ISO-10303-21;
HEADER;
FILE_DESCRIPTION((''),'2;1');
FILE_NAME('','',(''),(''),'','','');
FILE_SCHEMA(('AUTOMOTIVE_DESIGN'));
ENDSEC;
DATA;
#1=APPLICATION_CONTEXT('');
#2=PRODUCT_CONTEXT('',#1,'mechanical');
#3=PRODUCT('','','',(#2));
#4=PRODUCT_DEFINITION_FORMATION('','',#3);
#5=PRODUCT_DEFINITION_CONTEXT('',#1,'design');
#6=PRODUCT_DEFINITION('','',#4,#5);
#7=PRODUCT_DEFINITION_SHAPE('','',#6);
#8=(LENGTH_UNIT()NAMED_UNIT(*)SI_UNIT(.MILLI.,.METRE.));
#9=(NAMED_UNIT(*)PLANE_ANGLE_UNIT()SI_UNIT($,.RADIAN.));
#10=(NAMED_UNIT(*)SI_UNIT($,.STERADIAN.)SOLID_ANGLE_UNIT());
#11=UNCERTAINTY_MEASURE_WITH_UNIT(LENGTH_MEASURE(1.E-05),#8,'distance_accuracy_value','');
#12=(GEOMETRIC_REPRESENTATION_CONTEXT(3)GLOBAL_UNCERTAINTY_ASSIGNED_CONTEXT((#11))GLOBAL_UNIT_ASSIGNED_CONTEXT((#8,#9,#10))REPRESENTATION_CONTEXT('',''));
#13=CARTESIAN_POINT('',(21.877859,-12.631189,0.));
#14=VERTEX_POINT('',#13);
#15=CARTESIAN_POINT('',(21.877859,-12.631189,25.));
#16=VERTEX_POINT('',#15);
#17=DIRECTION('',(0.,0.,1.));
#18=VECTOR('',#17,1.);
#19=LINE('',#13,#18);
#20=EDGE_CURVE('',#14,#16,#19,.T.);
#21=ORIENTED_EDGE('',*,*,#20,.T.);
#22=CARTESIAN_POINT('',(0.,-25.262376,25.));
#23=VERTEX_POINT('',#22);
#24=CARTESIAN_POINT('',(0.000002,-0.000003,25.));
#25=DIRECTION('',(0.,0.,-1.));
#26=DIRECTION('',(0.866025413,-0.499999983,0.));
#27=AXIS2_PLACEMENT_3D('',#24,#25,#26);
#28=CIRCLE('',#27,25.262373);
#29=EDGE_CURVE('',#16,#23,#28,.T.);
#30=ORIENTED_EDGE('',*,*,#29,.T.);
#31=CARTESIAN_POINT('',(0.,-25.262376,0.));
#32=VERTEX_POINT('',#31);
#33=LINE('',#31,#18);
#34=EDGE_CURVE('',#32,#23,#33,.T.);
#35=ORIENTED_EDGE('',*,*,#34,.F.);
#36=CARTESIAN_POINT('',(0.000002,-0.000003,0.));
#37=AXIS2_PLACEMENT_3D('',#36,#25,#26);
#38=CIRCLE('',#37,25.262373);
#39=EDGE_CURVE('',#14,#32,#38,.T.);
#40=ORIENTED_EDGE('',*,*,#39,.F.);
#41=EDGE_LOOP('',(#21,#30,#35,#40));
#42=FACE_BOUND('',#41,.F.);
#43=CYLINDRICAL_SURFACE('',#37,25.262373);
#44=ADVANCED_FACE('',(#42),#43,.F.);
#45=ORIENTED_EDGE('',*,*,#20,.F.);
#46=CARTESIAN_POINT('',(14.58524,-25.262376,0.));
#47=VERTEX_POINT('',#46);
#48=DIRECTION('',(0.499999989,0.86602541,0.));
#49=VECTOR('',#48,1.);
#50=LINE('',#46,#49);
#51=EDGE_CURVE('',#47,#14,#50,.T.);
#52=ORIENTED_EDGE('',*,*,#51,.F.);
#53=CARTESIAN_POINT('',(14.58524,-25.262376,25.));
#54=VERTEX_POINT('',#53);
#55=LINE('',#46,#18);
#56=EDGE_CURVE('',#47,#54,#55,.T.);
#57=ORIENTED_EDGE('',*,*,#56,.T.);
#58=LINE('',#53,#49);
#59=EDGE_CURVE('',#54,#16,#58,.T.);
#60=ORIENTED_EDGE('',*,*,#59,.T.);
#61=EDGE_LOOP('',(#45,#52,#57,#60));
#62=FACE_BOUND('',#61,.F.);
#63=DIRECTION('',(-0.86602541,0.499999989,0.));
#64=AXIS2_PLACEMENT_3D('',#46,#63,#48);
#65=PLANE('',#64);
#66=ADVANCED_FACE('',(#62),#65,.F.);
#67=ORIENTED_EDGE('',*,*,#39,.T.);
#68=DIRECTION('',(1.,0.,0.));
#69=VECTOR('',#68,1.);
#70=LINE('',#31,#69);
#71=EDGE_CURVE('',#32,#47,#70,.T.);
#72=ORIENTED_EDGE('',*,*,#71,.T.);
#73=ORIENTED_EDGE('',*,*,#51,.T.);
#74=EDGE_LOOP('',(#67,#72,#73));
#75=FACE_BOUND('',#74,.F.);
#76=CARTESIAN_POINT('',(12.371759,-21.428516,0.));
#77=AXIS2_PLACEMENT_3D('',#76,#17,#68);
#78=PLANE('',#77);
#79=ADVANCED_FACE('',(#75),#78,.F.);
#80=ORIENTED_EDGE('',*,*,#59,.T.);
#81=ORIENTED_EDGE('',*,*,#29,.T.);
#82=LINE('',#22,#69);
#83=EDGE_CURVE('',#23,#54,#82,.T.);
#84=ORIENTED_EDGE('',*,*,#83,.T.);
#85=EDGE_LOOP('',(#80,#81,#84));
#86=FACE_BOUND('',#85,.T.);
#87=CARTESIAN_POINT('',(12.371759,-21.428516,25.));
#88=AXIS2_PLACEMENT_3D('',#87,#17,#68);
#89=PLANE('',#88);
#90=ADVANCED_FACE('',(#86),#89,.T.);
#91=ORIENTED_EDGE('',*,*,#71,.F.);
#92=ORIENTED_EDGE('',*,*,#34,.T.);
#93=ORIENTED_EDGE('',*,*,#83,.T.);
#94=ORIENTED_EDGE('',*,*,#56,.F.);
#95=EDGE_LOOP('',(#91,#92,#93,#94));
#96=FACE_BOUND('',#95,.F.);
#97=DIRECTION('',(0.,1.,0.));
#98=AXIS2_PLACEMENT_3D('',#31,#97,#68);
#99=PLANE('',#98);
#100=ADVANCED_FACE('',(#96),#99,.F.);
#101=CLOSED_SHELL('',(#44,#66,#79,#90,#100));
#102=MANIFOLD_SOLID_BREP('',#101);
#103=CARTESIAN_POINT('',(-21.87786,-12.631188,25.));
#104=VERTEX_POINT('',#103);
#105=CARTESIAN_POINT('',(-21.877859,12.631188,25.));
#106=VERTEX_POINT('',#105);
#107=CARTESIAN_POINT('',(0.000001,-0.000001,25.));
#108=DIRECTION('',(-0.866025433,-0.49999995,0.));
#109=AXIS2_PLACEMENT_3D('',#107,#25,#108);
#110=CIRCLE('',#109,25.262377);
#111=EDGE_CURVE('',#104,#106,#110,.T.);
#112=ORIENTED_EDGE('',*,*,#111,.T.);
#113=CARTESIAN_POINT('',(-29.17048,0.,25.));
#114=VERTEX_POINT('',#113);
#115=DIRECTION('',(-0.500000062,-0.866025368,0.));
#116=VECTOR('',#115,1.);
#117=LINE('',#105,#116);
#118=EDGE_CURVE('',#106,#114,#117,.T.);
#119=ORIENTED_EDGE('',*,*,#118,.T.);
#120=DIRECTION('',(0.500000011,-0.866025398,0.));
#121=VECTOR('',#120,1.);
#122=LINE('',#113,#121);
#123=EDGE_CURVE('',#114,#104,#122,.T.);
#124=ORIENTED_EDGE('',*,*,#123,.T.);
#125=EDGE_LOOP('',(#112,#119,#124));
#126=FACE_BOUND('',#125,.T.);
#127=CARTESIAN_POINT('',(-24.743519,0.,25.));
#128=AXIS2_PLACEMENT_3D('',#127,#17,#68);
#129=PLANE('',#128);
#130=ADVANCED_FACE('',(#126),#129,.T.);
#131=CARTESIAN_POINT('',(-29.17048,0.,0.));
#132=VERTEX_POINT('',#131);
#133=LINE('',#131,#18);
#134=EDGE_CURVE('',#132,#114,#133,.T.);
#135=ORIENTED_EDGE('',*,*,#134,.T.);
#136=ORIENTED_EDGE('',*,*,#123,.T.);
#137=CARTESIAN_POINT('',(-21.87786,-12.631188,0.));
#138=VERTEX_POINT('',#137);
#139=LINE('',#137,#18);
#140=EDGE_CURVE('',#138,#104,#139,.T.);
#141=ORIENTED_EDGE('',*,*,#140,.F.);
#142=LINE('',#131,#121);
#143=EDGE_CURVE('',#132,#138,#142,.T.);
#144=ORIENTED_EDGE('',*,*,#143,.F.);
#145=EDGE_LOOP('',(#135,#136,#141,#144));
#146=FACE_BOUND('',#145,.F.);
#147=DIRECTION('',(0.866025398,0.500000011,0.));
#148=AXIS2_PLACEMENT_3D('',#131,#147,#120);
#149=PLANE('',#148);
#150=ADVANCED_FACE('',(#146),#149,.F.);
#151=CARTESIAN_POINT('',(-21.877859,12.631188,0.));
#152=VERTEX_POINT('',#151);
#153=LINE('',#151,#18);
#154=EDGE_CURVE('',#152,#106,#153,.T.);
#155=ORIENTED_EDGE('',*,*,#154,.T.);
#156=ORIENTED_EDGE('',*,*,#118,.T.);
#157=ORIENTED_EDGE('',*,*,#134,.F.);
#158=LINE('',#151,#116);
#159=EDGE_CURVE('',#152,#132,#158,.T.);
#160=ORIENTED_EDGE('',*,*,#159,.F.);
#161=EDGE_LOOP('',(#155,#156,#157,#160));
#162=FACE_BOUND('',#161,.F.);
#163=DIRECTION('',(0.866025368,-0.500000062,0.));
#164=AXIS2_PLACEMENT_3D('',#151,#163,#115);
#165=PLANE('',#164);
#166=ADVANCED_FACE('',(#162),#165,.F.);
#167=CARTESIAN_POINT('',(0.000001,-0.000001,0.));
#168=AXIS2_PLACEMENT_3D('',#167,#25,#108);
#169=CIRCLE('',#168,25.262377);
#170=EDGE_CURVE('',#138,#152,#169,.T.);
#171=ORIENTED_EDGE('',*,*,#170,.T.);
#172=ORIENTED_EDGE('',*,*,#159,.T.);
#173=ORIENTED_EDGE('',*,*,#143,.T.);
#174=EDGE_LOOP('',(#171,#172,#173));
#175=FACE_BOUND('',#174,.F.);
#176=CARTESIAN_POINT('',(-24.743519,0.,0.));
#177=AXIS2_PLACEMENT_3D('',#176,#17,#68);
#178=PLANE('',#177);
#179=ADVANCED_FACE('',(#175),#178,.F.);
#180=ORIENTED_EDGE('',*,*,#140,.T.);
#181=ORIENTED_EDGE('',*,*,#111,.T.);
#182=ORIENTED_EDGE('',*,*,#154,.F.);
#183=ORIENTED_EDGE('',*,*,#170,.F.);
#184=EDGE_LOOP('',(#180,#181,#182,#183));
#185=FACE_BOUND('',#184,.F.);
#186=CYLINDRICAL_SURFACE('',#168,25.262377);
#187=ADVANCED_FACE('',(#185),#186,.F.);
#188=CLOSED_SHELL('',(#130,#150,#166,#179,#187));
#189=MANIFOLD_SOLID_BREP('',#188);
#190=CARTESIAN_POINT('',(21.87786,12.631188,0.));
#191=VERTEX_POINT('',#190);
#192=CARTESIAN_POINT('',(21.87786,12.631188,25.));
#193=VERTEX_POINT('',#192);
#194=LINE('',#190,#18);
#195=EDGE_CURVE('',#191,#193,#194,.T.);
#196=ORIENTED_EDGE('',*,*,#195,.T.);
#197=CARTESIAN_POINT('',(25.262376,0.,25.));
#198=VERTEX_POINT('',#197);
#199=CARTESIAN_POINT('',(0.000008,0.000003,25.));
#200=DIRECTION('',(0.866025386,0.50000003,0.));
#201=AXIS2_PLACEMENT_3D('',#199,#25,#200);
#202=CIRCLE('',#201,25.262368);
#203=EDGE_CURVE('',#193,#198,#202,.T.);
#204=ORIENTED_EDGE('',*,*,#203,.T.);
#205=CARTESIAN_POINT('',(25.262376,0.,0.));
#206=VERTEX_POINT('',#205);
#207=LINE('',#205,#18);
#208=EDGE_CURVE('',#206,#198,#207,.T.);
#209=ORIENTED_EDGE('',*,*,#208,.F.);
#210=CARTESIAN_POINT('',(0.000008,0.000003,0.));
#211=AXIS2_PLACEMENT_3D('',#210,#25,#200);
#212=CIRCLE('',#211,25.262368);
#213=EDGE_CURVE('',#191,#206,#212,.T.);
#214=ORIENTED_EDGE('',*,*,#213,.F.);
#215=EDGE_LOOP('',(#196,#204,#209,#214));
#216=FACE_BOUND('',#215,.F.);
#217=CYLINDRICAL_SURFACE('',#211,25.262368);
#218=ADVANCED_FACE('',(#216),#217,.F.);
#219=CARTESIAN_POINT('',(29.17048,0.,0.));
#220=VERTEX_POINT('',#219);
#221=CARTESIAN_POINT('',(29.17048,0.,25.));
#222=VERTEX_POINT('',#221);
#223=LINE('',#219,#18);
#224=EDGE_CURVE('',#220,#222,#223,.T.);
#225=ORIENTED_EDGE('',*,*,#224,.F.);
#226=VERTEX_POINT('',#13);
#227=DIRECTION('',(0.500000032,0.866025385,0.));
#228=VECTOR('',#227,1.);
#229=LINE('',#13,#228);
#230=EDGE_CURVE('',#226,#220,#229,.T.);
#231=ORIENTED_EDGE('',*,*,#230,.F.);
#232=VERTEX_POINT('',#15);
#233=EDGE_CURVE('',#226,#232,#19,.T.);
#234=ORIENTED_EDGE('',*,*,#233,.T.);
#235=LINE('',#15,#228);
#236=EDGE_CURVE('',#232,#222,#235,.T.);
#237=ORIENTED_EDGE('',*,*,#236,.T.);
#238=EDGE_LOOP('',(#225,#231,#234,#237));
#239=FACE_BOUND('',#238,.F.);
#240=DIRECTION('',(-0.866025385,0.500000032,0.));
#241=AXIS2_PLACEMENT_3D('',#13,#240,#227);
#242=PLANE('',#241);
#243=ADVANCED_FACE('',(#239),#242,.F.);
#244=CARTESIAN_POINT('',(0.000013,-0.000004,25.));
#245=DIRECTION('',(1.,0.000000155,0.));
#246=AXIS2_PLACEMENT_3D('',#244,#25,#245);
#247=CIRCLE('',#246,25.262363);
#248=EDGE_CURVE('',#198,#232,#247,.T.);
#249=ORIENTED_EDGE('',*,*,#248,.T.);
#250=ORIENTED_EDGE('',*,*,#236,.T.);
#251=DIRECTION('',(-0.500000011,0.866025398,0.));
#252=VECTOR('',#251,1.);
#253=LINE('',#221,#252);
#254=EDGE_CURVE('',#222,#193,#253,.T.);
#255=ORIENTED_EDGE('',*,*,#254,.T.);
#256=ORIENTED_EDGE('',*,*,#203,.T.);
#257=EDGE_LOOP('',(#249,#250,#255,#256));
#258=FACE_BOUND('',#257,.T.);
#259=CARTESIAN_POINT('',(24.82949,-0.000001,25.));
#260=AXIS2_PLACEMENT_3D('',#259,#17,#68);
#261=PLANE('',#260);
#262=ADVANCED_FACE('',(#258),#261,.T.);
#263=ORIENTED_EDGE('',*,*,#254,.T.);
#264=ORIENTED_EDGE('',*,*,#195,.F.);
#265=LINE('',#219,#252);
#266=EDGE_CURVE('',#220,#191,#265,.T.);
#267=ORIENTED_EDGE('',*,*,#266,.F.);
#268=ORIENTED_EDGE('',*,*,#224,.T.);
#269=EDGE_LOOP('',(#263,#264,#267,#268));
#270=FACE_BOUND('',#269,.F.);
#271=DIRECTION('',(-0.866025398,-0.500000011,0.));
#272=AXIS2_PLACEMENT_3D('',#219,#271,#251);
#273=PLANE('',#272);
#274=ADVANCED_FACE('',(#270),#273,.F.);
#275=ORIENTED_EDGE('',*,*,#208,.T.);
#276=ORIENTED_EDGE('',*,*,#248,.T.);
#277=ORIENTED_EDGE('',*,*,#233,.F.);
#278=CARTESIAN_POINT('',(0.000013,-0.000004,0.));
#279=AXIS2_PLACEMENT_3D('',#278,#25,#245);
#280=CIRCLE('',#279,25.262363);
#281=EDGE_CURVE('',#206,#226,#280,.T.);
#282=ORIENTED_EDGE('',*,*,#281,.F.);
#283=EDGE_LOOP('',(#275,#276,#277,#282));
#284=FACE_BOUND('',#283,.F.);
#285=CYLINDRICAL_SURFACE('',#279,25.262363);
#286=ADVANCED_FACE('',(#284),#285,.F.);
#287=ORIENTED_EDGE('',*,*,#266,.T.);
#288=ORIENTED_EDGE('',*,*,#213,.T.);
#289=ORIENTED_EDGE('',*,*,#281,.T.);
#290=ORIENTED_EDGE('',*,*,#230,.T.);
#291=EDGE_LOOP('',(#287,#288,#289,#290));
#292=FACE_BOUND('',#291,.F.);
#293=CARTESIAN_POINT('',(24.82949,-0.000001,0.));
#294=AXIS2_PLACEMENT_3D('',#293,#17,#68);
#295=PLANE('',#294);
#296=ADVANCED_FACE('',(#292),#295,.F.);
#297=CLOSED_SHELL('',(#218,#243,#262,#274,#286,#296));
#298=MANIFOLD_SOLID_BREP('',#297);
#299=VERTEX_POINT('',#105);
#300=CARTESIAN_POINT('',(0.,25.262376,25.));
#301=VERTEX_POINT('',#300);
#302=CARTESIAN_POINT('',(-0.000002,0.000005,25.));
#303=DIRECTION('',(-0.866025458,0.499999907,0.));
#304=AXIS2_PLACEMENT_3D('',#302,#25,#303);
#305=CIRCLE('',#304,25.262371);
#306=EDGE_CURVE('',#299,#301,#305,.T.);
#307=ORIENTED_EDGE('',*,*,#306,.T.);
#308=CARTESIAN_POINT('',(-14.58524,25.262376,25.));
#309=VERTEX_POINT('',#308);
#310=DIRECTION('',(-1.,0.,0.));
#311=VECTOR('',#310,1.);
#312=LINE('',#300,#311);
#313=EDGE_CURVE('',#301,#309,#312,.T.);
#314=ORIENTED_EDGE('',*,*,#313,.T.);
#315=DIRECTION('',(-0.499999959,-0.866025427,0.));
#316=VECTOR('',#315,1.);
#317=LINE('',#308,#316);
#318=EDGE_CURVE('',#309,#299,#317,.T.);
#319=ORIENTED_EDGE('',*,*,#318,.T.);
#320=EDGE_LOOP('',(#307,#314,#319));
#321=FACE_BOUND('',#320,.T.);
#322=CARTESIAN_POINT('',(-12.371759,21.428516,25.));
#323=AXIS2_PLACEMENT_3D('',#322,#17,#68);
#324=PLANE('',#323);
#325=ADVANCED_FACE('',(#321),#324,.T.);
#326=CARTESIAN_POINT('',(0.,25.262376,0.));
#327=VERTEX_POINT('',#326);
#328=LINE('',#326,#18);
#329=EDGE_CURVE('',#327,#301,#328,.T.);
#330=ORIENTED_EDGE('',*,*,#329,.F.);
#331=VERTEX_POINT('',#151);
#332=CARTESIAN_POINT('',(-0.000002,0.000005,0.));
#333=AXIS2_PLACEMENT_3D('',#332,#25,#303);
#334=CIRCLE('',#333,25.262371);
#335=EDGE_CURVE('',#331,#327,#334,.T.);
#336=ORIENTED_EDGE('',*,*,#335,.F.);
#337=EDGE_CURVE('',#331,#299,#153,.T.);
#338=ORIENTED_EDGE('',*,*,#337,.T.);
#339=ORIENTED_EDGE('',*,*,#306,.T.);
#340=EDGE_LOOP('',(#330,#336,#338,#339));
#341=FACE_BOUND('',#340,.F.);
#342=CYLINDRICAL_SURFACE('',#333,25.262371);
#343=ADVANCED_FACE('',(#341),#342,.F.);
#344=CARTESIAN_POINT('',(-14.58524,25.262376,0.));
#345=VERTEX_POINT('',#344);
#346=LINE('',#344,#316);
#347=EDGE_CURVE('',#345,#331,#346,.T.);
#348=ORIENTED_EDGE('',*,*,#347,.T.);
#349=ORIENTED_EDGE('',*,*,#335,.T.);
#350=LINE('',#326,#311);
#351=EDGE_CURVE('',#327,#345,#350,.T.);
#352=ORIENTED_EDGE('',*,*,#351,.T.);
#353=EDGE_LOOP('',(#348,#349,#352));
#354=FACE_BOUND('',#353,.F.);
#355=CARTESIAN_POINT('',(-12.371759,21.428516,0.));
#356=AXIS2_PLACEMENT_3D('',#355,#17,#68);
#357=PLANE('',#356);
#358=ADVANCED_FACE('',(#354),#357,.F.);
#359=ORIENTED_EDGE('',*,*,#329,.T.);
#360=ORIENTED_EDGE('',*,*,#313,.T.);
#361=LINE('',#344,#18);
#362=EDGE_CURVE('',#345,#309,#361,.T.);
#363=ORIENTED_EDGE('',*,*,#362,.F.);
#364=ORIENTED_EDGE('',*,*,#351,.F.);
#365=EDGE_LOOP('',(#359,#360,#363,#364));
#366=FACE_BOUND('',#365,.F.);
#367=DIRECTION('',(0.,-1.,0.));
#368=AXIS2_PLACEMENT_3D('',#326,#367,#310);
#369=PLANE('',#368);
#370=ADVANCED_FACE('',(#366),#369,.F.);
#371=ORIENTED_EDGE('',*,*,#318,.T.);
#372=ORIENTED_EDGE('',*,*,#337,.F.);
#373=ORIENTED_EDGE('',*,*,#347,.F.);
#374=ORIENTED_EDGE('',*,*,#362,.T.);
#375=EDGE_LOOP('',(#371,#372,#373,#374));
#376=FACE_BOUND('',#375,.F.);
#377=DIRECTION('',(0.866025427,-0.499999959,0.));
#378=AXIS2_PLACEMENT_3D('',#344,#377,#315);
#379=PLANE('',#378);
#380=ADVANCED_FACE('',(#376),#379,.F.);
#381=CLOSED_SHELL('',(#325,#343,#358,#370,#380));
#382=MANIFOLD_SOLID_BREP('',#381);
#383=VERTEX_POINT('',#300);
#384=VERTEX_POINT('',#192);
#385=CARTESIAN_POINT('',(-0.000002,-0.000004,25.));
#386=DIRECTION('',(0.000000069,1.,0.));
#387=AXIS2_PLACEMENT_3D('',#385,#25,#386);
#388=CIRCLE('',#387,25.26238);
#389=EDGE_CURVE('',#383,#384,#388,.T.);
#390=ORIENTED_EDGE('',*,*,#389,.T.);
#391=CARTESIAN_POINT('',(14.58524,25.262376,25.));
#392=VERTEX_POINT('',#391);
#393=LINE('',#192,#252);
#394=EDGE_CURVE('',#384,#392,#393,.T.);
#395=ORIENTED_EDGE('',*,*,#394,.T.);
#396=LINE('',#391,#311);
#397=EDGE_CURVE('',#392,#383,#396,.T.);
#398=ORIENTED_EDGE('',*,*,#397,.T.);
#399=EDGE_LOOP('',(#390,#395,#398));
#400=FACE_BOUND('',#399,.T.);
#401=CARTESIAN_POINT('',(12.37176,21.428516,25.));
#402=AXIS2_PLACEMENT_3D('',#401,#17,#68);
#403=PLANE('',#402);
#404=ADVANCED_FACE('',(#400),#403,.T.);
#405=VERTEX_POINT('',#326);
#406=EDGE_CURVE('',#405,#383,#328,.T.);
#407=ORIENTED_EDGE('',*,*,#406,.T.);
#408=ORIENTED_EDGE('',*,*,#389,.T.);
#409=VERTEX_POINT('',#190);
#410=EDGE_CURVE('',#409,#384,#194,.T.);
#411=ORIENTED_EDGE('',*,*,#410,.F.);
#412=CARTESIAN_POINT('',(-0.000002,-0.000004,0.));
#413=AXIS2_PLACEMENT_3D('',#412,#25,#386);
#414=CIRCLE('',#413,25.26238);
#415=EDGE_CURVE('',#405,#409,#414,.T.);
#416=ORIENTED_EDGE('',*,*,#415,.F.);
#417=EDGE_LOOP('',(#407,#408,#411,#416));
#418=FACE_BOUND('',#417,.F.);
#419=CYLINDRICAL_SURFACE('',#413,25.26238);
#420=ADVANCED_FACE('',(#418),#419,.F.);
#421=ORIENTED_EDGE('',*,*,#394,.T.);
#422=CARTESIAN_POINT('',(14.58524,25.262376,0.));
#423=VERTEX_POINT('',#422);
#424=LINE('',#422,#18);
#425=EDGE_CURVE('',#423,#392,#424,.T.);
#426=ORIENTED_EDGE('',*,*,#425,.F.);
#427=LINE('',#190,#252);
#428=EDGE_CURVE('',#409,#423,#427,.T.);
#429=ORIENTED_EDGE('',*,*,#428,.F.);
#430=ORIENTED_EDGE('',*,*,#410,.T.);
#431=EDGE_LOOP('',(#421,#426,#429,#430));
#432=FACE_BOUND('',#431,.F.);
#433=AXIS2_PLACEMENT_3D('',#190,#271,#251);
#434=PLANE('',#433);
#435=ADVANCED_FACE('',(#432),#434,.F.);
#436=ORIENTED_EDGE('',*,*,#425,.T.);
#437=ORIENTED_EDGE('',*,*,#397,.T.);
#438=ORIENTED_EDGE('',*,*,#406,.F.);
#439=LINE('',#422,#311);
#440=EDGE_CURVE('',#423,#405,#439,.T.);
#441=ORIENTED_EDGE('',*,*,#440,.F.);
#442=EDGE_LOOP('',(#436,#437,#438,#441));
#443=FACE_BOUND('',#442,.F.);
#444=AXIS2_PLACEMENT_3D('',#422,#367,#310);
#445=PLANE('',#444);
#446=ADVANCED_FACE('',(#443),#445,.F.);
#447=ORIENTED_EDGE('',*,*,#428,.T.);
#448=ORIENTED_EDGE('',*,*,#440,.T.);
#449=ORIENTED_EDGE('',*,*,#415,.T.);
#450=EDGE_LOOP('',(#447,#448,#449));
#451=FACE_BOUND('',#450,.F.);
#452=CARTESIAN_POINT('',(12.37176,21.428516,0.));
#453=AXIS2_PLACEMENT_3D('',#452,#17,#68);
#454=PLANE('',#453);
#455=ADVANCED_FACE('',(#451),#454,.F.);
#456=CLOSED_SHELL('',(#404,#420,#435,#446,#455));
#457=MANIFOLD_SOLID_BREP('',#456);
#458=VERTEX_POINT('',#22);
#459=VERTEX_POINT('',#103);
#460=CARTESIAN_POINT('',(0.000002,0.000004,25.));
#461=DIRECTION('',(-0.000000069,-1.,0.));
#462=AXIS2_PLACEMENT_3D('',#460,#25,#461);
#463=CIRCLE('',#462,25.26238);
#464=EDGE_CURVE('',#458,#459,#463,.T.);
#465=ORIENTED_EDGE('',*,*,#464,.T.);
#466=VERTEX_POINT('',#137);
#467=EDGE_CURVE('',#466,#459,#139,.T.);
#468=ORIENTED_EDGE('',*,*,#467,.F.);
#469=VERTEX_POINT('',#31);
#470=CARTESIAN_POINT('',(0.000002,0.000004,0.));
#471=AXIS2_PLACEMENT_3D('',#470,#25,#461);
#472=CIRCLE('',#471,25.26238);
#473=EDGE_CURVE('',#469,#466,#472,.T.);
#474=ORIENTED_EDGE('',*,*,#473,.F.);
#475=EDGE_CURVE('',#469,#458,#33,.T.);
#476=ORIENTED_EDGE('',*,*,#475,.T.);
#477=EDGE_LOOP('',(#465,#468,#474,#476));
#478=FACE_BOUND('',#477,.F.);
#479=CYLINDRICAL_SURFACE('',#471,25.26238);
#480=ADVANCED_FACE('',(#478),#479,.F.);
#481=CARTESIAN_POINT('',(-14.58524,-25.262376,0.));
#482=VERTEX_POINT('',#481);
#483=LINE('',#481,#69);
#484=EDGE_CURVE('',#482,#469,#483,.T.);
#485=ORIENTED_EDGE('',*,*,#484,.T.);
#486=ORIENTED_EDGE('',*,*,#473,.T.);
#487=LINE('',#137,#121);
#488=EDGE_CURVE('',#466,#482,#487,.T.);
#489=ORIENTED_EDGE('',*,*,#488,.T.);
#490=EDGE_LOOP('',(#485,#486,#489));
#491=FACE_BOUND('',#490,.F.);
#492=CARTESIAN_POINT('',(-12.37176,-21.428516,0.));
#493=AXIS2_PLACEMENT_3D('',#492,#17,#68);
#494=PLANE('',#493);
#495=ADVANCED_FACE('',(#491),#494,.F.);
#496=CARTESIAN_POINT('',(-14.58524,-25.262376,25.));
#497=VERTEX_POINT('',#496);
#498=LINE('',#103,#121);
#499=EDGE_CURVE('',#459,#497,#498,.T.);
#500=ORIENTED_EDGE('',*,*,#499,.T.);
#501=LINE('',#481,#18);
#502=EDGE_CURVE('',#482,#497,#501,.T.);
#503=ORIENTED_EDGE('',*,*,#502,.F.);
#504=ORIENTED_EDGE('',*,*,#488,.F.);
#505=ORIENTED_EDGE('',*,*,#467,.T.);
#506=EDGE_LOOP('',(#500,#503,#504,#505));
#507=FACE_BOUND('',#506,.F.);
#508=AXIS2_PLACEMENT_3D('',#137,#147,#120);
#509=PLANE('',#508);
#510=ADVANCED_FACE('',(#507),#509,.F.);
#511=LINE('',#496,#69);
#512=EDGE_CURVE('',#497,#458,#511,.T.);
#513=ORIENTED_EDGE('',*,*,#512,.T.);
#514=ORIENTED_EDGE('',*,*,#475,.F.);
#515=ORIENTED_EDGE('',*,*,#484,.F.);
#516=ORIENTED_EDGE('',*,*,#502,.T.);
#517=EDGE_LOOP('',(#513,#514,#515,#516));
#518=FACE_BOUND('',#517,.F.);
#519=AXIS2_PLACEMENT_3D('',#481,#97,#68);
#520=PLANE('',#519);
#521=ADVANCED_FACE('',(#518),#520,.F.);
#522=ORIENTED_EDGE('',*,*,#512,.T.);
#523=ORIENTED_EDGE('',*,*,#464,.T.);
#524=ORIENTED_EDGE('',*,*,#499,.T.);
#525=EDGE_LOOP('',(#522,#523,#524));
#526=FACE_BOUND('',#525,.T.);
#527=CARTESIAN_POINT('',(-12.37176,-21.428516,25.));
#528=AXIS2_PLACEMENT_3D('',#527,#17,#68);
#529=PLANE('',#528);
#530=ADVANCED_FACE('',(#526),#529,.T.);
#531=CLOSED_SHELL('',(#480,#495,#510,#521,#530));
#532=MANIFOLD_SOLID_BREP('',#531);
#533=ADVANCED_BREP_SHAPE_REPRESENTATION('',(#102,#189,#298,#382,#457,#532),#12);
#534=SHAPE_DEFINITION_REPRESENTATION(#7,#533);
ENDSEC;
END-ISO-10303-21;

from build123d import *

# Parameters (mm, degrees)
F1_DEPTH = 25


with BuildPart() as f1:
    # F0 (on Top) → F1 (new body)
    with BuildSketch(Plane.XY):
        with BuildLine():
            Line((0, -25.262376), (14.58524, -25.262376))
            Line((14.58524, -25.262376), (21.877859, -12.631189))
            ThreePointArc((21.877859, -12.631189), (12.631188, -21.87786), (0, -25.262376))
        make_face()
        with BuildLine():
            Line((-14.58524, -25.262376), (0, -25.262376))
            ThreePointArc((0, -25.262376), (-12.631188, -21.877859), (-21.87786, -12.631188))
            Line((-21.87786, -12.631188), (-14.58524, -25.262376))
        make_face()
        with BuildLine():
            Line((-29.17048, 0), (-21.87786, -12.631188))
            ThreePointArc((-21.87786, -12.631188), (-25.262376, 0), (-21.877859, 12.631188))
            Line((-21.877859, 12.631188), (-29.17048, 0))
        make_face()
        with BuildLine():
            Line((-14.58524, 25.262376), (-21.877859, 12.631188))
            ThreePointArc((-21.877859, 12.631188), (-12.631188, 21.87786), (0, 25.262376))
            Line((0, 25.262376), (-14.58524, 25.262376))
        make_face()
        with BuildLine():
            ThreePointArc((25.262376, 0), (24.401582, -6.538384), (21.877859, -12.631189))
            Line((21.877859, -12.631189), (29.17048, 0))
            Line((29.17048, 0), (21.87786, 12.631188))
            ThreePointArc((21.87786, 12.631188), (24.401582, 6.538384), (25.262376, 0))
        make_face()
        with BuildLine():
            ThreePointArc((0, 25.262376), (12.631188, 21.877859), (21.87786, 12.631188))
            Line((21.87786, 12.631188), (14.58524, 25.262376))
            Line((14.58524, 25.262376), (0, 25.262376))
        make_face()
    extrude(amount=F1_DEPTH)


solid = f1.part
